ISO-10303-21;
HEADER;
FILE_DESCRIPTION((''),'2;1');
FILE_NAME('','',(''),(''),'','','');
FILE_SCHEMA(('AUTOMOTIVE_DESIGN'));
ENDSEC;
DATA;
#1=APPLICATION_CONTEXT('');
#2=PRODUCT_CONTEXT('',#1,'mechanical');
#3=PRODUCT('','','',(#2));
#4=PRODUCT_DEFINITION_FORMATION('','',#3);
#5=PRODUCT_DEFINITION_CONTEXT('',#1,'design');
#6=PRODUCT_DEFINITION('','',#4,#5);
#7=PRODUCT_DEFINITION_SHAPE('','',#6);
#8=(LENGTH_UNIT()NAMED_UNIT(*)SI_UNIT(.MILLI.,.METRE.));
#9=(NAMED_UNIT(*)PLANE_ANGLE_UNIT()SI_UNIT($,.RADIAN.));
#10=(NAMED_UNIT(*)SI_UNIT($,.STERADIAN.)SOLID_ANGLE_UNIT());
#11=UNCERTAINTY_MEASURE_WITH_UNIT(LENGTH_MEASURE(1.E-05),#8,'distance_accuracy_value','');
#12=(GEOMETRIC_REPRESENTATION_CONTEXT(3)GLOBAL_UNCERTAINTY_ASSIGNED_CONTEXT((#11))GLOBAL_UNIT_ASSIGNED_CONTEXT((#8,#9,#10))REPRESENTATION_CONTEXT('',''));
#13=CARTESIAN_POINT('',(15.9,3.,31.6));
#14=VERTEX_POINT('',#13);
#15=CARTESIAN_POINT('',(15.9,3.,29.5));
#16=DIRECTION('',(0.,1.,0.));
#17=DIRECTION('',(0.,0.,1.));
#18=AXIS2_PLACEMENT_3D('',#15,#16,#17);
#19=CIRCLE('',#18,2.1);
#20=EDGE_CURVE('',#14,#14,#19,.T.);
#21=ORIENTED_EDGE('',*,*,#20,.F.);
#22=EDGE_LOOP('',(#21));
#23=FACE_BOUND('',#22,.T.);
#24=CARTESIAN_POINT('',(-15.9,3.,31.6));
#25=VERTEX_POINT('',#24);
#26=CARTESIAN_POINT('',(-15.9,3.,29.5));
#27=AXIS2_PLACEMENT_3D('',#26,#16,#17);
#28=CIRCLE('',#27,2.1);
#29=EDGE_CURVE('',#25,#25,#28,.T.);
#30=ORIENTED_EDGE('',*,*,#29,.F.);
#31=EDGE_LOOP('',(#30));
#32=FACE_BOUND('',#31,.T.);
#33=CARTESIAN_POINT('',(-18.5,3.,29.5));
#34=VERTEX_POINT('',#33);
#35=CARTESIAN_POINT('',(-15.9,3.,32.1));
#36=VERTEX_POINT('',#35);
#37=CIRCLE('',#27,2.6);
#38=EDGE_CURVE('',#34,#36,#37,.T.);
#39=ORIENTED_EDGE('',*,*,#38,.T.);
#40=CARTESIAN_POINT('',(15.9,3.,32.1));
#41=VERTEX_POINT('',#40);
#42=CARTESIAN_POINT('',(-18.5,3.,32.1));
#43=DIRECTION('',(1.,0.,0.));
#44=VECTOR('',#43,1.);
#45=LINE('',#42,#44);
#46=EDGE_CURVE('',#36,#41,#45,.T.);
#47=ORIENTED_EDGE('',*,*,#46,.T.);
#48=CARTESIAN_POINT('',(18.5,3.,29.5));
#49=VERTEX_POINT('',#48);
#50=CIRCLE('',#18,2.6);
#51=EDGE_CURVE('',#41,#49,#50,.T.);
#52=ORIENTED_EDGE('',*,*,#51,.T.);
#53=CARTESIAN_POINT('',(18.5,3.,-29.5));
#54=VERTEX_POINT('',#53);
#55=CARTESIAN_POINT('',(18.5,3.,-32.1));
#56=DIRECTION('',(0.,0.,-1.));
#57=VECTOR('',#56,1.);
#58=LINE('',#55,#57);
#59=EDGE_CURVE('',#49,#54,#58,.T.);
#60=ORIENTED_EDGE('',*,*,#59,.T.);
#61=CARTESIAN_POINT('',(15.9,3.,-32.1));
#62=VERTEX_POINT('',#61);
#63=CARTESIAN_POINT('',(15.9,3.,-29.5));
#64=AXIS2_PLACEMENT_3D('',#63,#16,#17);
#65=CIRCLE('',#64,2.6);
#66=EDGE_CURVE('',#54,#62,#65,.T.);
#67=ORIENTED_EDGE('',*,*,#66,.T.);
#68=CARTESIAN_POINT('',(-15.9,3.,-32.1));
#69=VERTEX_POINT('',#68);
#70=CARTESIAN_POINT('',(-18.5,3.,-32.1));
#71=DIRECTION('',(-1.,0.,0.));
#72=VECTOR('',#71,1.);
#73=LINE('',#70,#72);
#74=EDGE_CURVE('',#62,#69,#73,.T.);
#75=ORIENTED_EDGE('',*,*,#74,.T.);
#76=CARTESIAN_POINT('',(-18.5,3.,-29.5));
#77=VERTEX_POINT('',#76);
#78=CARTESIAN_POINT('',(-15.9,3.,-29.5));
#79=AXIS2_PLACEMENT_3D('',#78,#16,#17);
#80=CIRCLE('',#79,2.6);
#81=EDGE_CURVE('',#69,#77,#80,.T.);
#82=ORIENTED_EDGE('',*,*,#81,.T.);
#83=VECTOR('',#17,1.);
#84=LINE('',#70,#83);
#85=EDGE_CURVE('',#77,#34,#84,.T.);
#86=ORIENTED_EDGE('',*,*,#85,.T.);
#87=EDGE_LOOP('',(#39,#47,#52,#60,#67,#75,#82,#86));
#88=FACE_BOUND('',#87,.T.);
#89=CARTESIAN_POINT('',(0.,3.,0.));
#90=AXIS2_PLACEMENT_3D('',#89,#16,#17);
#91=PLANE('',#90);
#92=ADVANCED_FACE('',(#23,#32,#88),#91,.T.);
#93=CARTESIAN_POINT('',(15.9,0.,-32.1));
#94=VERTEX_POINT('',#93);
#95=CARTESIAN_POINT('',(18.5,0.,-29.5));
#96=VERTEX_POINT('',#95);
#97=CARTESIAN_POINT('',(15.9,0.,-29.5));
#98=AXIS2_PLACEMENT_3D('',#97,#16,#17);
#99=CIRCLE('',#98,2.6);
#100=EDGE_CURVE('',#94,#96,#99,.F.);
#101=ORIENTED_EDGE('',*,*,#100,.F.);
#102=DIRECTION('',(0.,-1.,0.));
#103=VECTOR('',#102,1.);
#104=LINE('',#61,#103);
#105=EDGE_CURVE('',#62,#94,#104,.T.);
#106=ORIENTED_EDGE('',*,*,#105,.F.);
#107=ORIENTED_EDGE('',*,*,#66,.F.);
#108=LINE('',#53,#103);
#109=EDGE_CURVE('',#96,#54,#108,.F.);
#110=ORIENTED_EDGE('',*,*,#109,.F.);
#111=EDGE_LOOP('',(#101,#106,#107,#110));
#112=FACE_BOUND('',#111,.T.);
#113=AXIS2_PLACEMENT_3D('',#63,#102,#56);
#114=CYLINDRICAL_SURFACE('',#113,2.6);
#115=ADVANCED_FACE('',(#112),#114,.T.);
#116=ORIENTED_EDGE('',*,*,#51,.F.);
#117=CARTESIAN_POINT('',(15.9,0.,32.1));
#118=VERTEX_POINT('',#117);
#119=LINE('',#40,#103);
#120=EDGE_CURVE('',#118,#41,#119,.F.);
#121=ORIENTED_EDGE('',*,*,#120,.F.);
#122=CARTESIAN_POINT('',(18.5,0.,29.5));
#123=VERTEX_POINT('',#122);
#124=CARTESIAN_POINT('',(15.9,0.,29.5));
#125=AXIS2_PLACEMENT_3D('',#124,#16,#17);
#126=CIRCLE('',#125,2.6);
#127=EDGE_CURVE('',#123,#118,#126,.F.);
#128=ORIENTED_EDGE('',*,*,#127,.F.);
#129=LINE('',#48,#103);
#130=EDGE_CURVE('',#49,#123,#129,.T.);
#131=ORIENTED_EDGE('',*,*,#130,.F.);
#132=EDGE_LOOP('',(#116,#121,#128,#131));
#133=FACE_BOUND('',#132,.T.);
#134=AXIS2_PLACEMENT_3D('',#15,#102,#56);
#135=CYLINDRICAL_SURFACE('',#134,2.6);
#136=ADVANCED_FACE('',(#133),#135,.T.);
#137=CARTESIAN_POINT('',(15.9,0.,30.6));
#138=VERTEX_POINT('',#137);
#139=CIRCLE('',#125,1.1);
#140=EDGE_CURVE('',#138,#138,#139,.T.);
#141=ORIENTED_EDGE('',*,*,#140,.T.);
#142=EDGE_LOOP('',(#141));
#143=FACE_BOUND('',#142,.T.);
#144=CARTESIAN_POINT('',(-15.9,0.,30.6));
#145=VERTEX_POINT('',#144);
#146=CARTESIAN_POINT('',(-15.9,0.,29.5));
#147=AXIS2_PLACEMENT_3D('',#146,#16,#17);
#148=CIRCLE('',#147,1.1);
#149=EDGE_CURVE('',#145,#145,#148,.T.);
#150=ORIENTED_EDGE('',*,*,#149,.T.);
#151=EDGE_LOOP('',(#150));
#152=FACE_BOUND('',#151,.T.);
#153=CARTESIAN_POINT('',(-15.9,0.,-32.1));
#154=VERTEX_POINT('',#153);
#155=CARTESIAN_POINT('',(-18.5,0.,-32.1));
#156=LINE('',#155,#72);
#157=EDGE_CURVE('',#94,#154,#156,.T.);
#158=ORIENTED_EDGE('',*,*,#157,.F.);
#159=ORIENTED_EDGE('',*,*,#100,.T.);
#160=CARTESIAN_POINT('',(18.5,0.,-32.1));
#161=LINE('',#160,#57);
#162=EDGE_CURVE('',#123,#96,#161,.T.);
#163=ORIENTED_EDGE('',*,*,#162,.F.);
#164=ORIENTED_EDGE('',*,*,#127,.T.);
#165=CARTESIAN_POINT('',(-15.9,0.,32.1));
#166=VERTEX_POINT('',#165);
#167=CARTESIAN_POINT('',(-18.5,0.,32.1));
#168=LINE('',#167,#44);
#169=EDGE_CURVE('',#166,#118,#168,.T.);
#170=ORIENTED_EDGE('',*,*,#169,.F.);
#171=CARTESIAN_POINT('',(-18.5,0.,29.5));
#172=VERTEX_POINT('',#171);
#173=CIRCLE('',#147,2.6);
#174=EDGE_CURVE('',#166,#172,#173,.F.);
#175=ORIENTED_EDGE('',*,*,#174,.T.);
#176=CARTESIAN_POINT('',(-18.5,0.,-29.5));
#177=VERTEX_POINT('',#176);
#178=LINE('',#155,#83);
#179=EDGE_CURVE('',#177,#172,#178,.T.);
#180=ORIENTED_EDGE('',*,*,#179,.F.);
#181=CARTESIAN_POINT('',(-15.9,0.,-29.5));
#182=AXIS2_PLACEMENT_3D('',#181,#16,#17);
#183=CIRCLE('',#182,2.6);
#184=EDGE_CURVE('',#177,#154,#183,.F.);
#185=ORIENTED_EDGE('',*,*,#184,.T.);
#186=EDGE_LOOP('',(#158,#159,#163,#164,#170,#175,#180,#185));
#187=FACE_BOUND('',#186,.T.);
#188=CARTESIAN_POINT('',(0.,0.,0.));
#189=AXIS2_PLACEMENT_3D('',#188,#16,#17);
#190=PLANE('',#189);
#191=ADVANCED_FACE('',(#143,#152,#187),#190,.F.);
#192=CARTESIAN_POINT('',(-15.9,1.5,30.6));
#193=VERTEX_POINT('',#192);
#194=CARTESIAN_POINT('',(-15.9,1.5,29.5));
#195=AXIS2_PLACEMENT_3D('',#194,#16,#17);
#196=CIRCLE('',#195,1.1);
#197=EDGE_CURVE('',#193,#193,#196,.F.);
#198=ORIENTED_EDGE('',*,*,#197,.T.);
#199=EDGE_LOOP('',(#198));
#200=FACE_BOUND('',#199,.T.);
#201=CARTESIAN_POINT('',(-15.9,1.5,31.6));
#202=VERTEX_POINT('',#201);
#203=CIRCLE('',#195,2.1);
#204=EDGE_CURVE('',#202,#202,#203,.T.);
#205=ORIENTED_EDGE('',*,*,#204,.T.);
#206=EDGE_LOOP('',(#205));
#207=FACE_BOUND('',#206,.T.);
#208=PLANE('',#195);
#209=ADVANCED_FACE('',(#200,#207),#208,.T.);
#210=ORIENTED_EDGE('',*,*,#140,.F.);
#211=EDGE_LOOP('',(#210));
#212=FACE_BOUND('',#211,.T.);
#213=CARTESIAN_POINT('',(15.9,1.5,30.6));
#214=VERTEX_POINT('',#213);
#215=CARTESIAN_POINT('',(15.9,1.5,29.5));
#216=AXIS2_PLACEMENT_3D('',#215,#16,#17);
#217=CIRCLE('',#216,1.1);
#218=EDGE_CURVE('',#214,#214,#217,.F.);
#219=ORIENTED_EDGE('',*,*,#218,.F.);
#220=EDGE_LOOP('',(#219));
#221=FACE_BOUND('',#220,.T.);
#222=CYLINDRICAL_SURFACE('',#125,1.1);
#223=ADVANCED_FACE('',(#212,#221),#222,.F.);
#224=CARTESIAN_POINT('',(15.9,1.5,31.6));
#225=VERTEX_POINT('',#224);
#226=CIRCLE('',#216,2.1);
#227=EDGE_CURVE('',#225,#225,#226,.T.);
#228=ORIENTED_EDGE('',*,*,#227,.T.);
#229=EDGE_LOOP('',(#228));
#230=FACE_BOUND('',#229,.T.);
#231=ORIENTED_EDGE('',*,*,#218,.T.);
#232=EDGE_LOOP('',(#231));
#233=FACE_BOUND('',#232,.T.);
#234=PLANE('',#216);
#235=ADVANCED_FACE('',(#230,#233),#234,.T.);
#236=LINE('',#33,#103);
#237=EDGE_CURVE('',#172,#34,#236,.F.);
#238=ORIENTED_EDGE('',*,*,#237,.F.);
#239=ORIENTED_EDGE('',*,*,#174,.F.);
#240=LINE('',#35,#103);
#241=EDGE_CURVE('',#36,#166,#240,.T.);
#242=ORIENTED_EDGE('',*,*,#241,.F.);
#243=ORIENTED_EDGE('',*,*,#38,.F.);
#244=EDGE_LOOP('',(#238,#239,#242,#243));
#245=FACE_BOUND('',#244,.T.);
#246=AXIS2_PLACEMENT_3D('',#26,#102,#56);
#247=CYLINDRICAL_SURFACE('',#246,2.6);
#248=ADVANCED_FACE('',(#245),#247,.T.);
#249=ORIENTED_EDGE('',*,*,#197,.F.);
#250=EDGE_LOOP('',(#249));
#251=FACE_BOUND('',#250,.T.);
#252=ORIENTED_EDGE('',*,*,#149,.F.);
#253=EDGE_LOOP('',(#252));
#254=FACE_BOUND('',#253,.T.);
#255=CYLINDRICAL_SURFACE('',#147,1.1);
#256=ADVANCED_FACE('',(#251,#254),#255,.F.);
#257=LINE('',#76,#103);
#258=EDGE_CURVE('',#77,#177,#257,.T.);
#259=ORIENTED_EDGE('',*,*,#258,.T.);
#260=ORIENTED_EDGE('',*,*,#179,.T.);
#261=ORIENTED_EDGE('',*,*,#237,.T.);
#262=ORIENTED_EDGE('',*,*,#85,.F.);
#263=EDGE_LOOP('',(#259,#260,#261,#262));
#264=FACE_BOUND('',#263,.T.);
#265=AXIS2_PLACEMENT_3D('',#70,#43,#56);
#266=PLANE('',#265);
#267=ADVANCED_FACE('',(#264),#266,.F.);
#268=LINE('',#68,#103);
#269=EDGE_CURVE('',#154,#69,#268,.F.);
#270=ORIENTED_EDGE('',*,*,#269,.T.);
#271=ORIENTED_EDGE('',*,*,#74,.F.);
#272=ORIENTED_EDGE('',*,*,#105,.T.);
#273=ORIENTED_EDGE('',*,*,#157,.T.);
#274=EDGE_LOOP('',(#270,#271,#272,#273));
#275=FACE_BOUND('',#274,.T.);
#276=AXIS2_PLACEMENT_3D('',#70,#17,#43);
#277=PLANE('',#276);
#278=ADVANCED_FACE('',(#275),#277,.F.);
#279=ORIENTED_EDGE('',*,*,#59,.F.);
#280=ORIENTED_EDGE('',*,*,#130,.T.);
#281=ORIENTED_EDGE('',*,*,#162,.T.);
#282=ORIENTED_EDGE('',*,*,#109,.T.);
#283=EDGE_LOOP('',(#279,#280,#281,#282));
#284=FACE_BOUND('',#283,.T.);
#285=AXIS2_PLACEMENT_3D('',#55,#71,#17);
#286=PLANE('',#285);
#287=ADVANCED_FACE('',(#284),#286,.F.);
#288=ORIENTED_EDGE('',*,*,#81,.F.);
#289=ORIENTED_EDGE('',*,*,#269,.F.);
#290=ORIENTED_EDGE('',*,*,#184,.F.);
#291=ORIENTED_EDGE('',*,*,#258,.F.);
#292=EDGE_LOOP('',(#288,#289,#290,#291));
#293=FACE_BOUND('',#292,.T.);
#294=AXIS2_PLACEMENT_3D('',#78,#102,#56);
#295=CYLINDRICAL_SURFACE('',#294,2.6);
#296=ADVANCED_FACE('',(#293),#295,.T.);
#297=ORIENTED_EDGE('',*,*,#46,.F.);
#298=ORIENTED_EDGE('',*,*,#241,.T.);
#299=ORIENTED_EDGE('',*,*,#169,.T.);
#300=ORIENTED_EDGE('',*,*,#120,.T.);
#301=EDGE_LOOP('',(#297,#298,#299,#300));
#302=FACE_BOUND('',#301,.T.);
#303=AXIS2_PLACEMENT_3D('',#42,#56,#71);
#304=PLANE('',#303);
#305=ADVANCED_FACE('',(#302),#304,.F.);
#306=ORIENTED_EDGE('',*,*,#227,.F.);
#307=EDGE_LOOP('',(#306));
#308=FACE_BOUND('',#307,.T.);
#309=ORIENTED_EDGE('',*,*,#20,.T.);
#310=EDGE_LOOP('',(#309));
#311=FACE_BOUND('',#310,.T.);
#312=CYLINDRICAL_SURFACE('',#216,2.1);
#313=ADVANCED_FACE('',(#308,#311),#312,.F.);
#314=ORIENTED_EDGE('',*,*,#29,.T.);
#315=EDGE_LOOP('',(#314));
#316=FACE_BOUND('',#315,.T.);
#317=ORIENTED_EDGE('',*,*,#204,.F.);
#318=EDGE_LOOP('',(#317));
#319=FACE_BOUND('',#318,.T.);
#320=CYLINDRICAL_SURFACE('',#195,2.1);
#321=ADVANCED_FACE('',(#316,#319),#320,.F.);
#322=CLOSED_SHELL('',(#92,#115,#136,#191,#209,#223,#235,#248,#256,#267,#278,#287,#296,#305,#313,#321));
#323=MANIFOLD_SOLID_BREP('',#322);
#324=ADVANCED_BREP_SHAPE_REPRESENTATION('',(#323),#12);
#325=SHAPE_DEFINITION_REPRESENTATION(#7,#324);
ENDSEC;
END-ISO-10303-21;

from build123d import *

# Parameters (mm, degrees)
SZKIC1_W                    = 37
SZKIC1_H                    = 64.2
DODANIE_WYCI_GNI_CIE1_DEPTH = 3
ZAOKR_GLENIE1_R             = 2.6
SZKIC2_R                    = 1.1
WYTNIJ_WYCI_GNI_CIE1_DEPTH  = 38.170687376
SZKIC3_R                    = 2.1
WYTNIJ_WYCI_GNI_CIE2_DEPTH  = 1.5


with BuildPart() as part:
    # Szkic1 → Dodanie-wyciągnięcie1 (new body)
    with BuildSketch(Plane(origin=(0, 0, 0), x_dir=(1, 0, 0), z_dir=(0, 1, 0))):
        Rectangle(SZKIC1_W, SZKIC1_H)
    extrude(amount=DODANIE_WYCI_GNI_CIE1_DEPTH)

    # Zaokrąglenie1
    zaokr_glenie1_edges = [part.edges().sort_by_distance(p)[0] for p in [
        (18.5, 1.5, 32.1),
        (-18.5, 1.5, 32.1),
        (-18.5, 1.5, -32.1),
        (18.5, 1.5, -32.1),
    ]]
    fillet(zaokr_glenie1_edges, radius=ZAOKR_GLENIE1_R)

    # Szkic2 → Wytnij-wyciągnięcie1 (cut, through all)
    with BuildSketch(Plane(origin=(0, 3, 0), x_dir=(1, 0, 0), z_dir=(0, 1, 0))):
        with Locations(Location((15.9, -29.5, 0), (0, 0, 270))):
            Circle(SZKIC2_R)
        with Locations(Location((-15.9, -29.5, 0), (0, 0, 270))):
            Circle(SZKIC2_R)
    extrude(amount=-WYTNIJ_WYCI_GNI_CIE1_DEPTH, mode=Mode.SUBTRACT)

    # Szkic3 → Wytnij-wyciągnięcie2 (cut)
    with BuildSketch(Plane(origin=(0, 3, 0), x_dir=(1, 0, 0), z_dir=(0, 1, 0))):
        with Locations(Location((-15.9, -29.5, 0), (0, 0, 270))):
            Circle(SZKIC3_R)
        with Locations(Location((15.9, -29.5, 0), (0, 0, 270))):
            Circle(SZKIC3_R)
    extrude(amount=-WYTNIJ_WYCI_GNI_CIE2_DEPTH, mode=Mode.SUBTRACT)


solid = part.part
